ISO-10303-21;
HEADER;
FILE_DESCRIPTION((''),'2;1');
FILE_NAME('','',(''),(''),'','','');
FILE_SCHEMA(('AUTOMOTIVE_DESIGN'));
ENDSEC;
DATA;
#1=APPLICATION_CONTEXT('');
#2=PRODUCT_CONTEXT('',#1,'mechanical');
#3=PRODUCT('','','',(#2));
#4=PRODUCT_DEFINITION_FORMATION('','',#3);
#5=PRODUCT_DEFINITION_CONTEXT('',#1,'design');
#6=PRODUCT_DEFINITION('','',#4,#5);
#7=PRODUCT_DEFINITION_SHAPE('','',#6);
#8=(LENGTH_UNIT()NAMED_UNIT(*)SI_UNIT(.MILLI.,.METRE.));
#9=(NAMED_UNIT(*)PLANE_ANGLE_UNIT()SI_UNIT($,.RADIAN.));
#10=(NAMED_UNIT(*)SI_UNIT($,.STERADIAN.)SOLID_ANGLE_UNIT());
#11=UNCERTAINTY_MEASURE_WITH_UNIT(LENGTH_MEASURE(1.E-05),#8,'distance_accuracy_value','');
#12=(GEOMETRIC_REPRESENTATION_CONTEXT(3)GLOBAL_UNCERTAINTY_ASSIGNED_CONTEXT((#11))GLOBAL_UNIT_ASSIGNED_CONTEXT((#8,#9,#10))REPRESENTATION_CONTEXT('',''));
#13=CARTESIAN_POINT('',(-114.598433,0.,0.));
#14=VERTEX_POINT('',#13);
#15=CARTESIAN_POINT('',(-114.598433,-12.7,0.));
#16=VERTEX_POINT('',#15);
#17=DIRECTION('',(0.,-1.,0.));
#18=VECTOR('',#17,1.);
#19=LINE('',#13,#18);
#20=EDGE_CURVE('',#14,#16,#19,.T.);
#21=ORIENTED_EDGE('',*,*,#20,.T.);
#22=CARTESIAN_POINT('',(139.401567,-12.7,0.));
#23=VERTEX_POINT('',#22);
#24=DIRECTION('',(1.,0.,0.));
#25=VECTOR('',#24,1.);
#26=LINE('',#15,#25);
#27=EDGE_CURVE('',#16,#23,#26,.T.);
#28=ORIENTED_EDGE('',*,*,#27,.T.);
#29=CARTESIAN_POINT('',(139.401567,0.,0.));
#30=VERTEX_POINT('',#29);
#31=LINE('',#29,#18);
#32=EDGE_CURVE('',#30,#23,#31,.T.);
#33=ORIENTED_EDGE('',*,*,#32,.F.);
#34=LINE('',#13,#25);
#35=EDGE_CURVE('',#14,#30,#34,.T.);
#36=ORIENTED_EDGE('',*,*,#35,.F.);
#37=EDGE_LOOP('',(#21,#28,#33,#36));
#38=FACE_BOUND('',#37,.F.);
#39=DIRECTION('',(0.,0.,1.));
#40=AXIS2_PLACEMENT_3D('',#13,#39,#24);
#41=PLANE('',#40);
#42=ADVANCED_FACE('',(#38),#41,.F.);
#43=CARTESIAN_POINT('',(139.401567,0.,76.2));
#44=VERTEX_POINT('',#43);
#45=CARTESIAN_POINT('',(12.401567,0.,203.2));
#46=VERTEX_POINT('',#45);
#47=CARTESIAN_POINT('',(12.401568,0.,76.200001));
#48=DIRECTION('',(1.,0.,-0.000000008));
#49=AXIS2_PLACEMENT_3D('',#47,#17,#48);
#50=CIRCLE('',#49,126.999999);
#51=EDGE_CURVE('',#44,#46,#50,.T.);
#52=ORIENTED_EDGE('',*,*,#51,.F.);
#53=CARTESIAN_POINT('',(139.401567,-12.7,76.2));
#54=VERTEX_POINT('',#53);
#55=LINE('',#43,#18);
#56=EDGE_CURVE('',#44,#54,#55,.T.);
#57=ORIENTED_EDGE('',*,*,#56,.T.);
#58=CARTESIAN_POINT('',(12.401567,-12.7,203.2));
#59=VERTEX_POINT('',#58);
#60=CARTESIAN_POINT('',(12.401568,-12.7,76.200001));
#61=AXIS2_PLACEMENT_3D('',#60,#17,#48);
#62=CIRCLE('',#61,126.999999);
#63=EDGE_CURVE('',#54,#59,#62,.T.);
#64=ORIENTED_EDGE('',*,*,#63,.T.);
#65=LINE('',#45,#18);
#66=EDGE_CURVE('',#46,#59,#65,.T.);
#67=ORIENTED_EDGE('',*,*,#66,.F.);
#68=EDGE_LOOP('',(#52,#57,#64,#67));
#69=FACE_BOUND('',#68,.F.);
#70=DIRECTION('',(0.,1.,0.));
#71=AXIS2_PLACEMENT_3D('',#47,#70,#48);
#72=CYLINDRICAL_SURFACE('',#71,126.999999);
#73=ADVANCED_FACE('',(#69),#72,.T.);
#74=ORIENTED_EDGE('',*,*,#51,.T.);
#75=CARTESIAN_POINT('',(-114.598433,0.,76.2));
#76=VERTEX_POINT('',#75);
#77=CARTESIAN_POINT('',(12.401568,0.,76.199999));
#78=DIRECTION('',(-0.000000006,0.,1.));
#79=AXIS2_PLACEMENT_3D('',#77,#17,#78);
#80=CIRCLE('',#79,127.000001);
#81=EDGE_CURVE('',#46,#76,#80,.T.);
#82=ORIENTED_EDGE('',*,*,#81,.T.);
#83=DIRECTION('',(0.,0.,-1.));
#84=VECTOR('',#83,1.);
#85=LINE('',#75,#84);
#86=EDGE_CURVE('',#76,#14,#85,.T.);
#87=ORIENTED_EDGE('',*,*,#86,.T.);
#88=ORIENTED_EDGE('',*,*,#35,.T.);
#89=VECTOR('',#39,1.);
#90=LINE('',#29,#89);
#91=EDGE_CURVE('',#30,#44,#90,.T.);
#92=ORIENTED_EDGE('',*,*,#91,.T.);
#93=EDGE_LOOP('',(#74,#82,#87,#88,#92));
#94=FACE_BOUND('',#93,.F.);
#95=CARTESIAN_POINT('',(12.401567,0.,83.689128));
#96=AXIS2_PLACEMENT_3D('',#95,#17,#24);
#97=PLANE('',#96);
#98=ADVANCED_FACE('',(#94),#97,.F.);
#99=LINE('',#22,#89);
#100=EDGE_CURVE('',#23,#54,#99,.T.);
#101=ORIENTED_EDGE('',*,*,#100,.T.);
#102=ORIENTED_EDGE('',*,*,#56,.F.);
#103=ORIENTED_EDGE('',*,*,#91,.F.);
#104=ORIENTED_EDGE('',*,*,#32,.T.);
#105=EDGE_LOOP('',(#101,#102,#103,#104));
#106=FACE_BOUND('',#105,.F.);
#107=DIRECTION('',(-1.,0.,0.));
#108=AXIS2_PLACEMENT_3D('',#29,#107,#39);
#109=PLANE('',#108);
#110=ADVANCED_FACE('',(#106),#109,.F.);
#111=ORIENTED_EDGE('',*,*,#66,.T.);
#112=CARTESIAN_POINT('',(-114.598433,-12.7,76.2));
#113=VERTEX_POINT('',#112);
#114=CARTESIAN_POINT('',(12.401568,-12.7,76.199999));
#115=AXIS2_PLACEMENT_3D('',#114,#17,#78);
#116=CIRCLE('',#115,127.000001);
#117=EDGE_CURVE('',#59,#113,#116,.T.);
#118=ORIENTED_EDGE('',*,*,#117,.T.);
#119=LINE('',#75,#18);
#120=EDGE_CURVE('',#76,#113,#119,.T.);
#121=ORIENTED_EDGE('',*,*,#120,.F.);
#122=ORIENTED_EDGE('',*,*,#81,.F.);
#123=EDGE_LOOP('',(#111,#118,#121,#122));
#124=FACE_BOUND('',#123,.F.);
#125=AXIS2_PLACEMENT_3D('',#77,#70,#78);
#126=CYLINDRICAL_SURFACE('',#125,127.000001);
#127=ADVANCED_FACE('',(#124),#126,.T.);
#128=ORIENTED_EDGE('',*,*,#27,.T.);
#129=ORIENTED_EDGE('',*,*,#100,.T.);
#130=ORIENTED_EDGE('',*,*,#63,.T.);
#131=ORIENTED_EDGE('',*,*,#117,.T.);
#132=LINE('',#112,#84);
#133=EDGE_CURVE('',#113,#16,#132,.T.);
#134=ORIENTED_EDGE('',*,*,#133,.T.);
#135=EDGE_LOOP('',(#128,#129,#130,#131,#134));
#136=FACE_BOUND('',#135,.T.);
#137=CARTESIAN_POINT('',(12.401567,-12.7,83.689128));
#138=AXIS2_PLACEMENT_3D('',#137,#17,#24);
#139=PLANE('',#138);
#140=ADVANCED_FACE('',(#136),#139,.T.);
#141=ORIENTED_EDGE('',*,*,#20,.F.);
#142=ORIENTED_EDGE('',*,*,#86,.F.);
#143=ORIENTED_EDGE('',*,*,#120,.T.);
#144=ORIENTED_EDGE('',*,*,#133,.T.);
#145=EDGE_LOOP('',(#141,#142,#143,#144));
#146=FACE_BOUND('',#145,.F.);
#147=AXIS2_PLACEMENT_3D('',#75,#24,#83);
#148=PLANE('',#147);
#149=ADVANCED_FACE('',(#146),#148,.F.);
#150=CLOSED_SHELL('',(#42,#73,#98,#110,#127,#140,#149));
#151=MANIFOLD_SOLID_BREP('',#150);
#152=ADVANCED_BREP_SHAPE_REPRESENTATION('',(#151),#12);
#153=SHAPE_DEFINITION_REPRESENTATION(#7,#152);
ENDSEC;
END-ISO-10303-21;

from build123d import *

# Parameters (mm, degrees)
F1_DEPTH = 12.7


with BuildPart() as f1:
    # F0 (on Front) → F1 (new body)
    with BuildSketch(Plane.XZ):
        with BuildLine():
            Line((-114.598433, 76.2), (-114.598433, 0))
            Line((-114.598433, 0), (139.401567, 0))
            Line((139.401567, 0), (139.401567, 76.2))
            ThreePointArc((139.401567, 76.2), (102.204129, 166.002561), (12.401567, 203.2))
            ThreePointArc((12.401567, 203.2), (-77.400994, 166.002561), (-114.598433, 76.2))
        make_face()
    extrude(amount=F1_DEPTH)


solid = f1.part
